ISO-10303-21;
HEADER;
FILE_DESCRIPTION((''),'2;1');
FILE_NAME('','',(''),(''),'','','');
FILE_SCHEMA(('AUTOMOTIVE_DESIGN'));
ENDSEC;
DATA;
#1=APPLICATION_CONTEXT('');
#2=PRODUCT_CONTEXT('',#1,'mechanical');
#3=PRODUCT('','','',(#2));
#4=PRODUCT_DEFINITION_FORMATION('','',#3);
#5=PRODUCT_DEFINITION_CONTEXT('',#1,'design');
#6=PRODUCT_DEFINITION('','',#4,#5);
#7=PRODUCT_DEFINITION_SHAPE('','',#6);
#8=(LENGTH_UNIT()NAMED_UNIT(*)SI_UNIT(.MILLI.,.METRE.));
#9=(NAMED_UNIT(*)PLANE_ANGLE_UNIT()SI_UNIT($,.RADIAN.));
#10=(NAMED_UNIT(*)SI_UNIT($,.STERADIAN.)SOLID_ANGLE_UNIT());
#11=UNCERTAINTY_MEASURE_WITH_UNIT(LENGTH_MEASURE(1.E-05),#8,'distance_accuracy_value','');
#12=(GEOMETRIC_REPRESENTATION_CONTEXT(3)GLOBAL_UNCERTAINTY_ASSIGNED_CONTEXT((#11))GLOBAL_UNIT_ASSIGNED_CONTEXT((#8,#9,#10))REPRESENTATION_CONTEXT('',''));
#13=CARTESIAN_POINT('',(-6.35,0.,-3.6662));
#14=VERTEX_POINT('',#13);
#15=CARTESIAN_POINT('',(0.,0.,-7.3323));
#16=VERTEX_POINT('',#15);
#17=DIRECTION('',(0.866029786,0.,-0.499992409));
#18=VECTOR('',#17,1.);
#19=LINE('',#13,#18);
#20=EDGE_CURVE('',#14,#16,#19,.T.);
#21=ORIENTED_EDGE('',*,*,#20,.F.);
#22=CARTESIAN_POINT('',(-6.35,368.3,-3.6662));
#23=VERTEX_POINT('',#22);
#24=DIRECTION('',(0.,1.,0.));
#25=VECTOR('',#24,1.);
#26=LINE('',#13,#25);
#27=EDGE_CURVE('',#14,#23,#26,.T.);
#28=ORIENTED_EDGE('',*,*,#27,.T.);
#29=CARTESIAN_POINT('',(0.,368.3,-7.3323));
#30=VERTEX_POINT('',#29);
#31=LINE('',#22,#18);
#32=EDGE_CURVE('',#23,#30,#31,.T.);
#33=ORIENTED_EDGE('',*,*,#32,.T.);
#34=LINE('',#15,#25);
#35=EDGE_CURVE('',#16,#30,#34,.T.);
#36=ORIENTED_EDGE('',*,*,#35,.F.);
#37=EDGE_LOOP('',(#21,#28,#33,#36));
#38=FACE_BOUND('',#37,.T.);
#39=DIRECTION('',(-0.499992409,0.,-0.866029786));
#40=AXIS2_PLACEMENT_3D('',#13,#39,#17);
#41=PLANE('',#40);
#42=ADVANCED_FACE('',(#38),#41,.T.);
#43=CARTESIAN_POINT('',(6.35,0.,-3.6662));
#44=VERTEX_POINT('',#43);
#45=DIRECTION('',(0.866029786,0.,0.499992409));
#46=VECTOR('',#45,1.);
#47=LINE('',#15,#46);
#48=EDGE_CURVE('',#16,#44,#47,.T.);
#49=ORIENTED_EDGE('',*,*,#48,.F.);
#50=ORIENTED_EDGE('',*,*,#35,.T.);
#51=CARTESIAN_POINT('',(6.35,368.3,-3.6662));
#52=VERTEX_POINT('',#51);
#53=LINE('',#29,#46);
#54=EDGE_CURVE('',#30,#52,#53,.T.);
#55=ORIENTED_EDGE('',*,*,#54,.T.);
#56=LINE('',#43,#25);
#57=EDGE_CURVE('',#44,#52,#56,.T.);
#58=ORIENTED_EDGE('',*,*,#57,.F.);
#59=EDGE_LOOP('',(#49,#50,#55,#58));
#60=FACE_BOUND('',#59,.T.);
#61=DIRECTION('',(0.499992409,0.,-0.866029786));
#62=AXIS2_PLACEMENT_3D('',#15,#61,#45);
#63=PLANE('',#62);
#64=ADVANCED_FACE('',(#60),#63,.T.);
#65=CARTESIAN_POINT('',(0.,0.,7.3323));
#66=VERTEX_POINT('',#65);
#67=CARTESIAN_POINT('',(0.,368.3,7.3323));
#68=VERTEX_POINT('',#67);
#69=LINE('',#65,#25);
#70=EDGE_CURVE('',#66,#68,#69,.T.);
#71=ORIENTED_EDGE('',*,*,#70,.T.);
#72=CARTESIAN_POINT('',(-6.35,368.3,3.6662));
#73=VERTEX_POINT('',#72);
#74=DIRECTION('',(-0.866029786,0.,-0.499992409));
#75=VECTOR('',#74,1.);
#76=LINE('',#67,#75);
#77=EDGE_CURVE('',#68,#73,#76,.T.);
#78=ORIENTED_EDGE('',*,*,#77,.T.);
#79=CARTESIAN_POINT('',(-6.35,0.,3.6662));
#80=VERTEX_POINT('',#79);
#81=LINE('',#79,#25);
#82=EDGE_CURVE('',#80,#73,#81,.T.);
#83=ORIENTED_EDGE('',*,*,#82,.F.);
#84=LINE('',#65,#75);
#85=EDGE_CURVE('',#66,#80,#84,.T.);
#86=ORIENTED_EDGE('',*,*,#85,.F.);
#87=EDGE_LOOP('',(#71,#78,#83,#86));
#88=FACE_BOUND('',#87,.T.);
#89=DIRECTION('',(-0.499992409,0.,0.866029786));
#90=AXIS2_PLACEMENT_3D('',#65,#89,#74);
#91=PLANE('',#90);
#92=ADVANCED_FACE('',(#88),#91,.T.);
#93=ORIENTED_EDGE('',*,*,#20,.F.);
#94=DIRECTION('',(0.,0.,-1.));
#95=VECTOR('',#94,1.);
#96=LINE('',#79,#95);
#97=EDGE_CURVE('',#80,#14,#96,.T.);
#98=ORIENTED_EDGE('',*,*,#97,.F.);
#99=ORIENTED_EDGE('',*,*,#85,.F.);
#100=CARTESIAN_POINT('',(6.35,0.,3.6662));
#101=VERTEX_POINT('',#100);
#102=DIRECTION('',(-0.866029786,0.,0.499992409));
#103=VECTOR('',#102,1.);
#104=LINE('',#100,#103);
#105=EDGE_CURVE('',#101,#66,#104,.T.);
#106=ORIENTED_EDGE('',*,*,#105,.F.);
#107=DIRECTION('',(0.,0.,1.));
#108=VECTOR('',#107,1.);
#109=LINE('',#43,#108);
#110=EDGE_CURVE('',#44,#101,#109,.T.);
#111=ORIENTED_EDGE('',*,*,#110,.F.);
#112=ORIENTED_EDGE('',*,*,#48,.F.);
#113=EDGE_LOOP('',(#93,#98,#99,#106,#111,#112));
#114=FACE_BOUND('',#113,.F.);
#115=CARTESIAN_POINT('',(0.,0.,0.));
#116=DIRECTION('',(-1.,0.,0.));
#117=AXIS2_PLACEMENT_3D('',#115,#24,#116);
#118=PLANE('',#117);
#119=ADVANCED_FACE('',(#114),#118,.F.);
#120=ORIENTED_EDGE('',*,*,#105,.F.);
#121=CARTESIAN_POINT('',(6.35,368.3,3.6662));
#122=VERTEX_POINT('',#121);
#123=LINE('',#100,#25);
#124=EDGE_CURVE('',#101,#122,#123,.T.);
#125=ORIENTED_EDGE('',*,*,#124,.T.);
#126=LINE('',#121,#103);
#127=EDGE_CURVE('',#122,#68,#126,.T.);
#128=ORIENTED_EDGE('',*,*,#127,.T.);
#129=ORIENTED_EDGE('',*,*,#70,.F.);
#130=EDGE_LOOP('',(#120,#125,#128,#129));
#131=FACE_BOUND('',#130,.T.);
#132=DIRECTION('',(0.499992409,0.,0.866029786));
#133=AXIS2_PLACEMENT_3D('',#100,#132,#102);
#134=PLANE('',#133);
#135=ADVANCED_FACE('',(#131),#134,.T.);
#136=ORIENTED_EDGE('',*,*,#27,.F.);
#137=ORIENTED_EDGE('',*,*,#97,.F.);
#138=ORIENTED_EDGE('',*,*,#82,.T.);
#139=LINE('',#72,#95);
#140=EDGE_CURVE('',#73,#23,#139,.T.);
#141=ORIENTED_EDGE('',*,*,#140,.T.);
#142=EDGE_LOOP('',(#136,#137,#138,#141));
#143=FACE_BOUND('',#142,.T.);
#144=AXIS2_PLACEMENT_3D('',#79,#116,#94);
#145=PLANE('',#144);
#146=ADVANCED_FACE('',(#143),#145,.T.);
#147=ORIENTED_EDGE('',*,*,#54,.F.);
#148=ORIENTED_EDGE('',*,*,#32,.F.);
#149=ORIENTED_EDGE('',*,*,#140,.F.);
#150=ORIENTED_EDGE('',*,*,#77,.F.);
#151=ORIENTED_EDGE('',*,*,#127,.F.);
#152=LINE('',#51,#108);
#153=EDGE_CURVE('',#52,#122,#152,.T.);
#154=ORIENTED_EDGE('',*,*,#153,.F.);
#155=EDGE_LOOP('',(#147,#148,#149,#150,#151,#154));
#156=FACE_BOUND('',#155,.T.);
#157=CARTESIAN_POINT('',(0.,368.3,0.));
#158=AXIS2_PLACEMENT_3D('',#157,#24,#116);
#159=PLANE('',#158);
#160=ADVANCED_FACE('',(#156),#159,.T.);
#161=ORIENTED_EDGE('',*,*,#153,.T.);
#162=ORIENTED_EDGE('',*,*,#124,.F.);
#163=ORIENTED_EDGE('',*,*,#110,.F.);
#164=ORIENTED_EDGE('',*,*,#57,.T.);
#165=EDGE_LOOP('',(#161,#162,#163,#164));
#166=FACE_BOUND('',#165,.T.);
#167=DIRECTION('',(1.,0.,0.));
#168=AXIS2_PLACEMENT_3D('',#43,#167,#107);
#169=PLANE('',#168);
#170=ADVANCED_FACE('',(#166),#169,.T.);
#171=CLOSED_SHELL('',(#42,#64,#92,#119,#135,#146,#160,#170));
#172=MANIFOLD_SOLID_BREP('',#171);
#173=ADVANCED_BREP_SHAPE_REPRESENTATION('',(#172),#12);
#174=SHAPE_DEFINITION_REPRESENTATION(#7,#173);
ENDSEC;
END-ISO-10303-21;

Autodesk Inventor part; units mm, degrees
ref_plane "YZ Plane" through (0, 0, 0) normal (1, 0, 0) x (0, 1, 0)
ref_plane "XZ Plane" through (0, 0, 0) normal (0, 1, 0) x (-1, 0, 0)
ref_plane "XY Plane" through (0, 0, 0) normal (0, 0, 1) x (1, 0, 0)
sketch "Sketch1" plane through (0, 0, 0) normal (0, 1, 0) x (-1, 0, 0)
  line L0 (0, -7.3323) -> (-6.35, -3.6662)
  line L1 (-6.35, -3.6662) -> (-6.35, 3.6662)
  line L2 (-6.35, 3.6662) -> (0, 7.3323)
  line L3 (0, 7.3323) -> (6.35, 3.6662)
  line L4 (6.35, 3.6662) -> (6.35, -3.6662)
  line L5 (6.35, -3.6662) -> (0, -7.3323)
  point P0 (0, 0)
  point P1 (0, 0)
  dimension "d0" = 12.7
extrude "Extrusion1" add sketch "Sketch1" along normal blind 368.3
